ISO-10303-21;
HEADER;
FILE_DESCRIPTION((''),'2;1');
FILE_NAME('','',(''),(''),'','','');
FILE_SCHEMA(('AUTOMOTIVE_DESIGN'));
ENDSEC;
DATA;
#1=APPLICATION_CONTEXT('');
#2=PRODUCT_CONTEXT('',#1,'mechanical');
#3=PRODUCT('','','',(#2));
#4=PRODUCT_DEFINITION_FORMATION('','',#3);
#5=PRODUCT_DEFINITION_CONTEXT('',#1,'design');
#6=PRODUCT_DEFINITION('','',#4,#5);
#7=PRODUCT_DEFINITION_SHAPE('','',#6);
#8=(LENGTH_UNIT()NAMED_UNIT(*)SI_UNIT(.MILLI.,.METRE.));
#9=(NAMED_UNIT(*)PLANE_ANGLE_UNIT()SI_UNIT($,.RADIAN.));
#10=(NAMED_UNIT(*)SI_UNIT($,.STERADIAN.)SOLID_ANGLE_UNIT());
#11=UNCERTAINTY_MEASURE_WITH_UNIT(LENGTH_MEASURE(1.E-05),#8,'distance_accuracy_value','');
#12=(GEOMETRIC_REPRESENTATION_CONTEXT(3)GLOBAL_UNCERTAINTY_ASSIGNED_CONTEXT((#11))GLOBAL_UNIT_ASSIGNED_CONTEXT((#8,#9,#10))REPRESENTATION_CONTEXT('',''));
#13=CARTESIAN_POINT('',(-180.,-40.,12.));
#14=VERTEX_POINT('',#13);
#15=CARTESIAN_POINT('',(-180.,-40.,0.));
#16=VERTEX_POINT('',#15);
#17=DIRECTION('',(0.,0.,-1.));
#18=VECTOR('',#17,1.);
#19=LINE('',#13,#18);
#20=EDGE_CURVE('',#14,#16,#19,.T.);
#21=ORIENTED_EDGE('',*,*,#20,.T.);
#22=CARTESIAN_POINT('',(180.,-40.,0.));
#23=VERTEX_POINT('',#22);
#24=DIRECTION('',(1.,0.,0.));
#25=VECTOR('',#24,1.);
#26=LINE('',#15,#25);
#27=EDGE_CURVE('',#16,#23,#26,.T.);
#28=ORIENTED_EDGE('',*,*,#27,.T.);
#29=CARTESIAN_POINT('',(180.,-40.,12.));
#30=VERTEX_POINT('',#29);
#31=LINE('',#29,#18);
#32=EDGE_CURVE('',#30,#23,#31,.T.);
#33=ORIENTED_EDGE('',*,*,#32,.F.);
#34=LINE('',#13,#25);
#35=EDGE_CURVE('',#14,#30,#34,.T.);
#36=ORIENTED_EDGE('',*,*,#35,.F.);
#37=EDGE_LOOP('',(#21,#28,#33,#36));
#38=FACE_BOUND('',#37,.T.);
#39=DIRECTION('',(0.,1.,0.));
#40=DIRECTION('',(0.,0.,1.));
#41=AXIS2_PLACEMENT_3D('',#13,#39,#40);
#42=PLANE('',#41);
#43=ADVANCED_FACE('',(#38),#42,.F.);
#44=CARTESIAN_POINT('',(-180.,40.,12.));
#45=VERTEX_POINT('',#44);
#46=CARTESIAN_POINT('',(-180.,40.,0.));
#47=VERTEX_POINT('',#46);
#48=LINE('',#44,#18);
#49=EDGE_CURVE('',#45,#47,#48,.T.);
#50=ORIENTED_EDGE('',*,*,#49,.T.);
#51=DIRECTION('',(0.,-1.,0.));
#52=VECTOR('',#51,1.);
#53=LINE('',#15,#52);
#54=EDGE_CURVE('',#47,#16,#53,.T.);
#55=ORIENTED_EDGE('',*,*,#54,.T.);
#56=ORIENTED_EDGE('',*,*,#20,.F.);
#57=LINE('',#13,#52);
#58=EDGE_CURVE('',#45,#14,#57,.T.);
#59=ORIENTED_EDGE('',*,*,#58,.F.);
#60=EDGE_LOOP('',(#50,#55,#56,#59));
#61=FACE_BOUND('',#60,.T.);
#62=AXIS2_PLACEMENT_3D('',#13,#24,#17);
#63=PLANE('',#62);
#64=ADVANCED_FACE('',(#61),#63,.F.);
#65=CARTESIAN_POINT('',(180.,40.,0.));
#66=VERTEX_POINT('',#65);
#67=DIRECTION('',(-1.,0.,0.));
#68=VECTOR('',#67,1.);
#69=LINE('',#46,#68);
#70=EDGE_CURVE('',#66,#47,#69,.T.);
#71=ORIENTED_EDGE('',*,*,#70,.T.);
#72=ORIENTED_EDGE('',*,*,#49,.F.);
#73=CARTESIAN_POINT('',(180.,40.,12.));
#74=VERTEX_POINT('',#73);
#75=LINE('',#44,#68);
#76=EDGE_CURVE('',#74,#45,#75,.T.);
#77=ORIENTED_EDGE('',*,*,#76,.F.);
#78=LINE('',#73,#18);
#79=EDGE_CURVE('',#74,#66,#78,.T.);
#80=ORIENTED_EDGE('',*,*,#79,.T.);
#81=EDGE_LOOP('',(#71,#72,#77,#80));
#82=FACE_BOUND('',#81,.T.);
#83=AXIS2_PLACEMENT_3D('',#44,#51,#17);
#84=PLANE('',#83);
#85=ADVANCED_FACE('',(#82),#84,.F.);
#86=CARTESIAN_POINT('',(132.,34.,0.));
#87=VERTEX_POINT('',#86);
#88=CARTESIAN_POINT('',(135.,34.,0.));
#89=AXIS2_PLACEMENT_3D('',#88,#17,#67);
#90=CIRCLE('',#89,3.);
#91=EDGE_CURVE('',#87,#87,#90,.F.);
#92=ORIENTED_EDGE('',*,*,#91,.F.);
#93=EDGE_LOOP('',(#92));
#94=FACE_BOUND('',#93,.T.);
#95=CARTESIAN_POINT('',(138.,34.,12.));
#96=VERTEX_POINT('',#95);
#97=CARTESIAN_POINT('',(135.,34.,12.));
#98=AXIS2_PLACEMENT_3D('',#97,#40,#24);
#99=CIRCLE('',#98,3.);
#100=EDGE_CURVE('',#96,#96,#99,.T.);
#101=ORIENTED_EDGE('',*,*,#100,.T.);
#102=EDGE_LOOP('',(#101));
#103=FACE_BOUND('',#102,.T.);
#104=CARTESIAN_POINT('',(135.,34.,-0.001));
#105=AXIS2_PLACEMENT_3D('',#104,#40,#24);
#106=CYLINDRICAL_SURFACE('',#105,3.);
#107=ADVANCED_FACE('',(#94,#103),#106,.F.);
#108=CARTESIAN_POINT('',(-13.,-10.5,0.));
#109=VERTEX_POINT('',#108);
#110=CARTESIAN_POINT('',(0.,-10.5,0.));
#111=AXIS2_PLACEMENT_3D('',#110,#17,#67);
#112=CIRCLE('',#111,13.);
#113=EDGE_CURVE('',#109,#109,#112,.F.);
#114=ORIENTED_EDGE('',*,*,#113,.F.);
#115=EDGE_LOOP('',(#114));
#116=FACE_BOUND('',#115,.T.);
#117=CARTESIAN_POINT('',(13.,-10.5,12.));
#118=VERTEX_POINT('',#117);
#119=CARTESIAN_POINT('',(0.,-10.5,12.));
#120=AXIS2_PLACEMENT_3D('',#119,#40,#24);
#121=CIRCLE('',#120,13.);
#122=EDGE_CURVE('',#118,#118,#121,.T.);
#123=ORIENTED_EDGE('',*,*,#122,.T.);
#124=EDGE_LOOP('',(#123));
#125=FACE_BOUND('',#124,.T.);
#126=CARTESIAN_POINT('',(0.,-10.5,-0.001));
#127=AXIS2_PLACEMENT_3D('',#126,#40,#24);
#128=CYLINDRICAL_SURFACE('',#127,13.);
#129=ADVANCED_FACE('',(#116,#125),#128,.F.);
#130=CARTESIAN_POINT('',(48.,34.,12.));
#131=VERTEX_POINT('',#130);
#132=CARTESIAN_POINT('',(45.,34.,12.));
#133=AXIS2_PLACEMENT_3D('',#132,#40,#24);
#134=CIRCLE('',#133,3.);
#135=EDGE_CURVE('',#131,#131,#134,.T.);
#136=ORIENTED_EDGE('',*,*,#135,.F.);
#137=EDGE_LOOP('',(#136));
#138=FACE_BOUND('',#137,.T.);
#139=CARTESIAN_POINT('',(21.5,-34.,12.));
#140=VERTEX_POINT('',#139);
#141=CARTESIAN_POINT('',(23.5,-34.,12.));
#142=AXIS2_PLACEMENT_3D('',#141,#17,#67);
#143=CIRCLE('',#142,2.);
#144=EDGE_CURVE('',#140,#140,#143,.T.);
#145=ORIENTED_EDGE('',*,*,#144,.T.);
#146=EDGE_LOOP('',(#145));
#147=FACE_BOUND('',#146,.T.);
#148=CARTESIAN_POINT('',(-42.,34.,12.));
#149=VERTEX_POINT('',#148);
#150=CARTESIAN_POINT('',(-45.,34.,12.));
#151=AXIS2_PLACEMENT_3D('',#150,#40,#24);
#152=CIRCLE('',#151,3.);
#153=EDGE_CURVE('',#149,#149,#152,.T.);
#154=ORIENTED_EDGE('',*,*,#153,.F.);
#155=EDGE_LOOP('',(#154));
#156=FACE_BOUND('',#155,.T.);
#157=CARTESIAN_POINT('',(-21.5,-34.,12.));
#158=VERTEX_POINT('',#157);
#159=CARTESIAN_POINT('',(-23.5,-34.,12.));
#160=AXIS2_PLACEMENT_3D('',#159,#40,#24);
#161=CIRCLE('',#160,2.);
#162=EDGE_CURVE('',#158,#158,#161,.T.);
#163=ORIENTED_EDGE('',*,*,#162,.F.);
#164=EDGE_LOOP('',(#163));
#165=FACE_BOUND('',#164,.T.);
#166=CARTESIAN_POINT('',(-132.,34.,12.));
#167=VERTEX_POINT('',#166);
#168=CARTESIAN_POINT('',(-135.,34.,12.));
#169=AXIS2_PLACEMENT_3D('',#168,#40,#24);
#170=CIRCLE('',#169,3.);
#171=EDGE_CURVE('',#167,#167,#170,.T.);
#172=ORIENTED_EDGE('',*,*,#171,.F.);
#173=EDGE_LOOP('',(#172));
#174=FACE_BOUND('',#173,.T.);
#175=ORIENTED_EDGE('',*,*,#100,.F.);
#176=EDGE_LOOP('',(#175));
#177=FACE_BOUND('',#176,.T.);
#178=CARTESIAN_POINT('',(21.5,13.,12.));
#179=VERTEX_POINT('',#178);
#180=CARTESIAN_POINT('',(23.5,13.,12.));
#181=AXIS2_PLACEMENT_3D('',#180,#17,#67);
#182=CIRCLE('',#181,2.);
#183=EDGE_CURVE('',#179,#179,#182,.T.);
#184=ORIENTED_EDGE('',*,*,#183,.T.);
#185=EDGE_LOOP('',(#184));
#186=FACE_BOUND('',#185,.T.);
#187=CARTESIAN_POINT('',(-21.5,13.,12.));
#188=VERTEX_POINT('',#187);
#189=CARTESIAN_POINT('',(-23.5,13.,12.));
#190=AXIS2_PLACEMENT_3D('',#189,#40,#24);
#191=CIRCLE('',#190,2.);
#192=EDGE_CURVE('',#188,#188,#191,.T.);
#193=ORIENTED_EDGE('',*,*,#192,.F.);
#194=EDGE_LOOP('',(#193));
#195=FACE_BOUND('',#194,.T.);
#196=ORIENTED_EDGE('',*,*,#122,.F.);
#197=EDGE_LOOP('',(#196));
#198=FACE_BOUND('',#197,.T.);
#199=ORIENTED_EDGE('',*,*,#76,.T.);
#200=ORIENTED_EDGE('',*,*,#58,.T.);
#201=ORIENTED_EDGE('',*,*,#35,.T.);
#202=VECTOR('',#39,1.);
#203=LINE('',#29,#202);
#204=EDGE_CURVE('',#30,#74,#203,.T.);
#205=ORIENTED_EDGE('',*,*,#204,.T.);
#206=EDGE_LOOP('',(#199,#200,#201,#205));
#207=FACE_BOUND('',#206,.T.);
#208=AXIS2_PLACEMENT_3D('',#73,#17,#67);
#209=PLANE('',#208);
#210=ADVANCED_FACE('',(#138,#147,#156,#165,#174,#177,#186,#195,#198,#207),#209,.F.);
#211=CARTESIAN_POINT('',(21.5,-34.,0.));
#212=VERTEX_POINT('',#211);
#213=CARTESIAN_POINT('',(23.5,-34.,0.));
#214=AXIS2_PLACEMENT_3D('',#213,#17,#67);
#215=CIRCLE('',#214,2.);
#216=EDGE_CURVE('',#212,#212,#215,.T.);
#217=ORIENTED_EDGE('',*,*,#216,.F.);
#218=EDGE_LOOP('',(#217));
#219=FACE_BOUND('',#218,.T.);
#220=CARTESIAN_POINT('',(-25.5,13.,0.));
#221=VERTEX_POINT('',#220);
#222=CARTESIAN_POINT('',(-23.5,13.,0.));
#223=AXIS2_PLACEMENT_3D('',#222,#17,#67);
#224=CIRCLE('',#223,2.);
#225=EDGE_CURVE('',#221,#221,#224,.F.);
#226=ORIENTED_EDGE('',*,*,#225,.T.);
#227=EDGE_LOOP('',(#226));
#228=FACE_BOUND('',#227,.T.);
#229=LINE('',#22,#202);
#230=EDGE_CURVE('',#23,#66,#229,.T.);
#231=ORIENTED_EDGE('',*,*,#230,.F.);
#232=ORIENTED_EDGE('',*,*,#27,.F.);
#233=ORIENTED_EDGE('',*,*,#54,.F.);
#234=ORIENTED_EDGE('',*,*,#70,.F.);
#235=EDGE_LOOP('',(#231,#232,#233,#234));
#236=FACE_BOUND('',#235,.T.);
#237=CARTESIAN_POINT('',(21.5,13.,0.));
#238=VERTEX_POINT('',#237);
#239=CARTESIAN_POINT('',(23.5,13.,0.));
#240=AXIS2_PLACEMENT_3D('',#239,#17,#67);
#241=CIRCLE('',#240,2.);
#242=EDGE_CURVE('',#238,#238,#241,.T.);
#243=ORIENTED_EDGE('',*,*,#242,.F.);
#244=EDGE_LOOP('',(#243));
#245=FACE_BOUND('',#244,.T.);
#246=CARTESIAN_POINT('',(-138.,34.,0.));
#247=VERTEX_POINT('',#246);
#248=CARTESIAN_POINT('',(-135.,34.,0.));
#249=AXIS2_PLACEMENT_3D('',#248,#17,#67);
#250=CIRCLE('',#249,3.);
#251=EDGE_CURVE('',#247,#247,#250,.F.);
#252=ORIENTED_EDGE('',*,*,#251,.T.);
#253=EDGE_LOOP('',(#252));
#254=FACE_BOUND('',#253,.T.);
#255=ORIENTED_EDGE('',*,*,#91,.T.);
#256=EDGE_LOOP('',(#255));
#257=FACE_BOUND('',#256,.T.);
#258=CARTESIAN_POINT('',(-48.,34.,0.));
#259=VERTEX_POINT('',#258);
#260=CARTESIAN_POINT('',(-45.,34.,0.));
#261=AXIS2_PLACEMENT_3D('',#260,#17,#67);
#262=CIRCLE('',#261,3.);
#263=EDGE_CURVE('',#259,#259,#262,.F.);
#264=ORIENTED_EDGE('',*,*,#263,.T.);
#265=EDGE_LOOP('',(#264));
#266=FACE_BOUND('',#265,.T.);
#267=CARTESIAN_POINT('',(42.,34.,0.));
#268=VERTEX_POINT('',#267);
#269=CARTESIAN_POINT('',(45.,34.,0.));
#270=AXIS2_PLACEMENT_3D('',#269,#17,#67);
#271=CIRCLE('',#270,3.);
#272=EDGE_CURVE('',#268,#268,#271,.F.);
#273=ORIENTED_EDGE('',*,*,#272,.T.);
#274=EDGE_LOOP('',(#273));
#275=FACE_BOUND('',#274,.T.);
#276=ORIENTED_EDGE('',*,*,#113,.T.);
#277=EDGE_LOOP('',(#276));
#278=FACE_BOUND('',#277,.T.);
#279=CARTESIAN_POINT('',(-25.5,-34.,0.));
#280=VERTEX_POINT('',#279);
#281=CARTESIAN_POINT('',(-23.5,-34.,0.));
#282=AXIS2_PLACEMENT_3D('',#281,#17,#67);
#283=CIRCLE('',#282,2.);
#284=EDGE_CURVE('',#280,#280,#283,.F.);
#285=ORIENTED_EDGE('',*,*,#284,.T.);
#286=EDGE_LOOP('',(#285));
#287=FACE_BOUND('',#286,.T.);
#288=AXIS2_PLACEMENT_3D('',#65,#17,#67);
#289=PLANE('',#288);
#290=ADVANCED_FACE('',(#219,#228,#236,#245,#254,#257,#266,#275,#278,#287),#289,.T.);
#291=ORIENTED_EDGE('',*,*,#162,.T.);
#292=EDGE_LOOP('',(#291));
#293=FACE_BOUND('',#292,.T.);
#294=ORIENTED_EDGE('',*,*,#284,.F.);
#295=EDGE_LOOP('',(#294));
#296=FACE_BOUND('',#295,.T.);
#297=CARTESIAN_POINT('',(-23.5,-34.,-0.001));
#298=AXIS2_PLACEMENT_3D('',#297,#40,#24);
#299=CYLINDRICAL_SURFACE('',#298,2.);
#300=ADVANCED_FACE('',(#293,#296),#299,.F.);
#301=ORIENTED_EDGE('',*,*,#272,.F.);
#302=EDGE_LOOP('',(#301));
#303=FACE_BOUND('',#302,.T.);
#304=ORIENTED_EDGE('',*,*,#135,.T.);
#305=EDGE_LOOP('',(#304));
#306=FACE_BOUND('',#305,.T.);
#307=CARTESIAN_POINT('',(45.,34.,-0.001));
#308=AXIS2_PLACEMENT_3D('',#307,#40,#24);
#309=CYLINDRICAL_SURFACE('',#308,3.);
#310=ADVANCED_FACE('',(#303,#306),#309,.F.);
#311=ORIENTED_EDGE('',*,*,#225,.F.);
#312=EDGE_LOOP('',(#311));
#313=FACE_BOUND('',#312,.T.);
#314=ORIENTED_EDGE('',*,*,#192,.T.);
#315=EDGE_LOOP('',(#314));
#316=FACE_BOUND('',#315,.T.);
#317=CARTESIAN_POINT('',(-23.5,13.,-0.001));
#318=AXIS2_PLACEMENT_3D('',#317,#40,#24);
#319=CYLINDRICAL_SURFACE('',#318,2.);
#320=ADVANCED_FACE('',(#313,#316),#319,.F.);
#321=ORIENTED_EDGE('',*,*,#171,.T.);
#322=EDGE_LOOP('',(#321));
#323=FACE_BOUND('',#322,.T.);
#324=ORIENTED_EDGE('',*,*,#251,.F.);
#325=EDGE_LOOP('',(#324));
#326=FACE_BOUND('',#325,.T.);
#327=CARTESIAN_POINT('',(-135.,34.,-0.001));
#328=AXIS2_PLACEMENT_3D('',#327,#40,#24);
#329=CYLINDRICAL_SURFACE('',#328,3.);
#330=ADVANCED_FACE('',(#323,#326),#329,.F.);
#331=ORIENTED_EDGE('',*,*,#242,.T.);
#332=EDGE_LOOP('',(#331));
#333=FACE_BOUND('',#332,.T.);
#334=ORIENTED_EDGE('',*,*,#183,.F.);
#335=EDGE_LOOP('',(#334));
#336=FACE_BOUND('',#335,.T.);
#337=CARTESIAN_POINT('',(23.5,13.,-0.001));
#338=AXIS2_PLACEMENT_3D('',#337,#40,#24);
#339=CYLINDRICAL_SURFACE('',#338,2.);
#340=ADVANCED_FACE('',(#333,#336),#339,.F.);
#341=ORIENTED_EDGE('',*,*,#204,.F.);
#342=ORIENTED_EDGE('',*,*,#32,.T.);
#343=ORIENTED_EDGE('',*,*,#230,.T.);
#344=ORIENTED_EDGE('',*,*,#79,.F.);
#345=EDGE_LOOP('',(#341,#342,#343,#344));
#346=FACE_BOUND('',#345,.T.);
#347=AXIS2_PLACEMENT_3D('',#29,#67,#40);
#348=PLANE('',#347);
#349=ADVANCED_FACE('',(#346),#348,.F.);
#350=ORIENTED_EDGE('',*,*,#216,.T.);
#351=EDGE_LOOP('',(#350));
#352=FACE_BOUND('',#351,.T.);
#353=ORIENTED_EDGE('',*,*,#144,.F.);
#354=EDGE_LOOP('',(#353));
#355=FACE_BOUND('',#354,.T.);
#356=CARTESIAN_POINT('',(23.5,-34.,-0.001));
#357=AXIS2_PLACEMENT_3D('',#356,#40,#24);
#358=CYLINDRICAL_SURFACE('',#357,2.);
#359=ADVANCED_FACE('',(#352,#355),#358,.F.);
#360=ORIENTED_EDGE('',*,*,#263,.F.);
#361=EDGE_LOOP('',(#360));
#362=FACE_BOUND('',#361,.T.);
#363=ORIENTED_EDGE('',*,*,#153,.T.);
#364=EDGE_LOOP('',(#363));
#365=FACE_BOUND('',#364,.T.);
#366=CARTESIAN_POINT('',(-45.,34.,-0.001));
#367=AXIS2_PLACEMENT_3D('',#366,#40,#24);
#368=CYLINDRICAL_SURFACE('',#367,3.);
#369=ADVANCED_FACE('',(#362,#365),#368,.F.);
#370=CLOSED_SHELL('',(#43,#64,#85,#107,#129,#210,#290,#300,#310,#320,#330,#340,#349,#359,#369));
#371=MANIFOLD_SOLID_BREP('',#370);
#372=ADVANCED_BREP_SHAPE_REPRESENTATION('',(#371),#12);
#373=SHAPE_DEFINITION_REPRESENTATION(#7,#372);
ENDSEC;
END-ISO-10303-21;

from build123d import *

# Parameters (mm, degrees)
SKETCH1_W           = 360
SKETCH1_H           = 80
BOSS_EXTRUDE1_DEPTH = 12
CUT_EXTRUDE1_REACH  = 186.781
SKETCH2_R           = 3
LPATTERN1_COUNT     = 4
LPATTERN1_PITCH     = 90
CUT_EXTRUDE2_REACH  = 186.781
SKETCH3_R           = 13
CUT_EXTRUDE3_REACH  = 186.781
SKETCH4_R           = 2


with BuildPart() as part:
    # Sketch1 → Boss-Extrude1 (new body)
    with BuildSketch(Plane.XY):
        Rectangle(SKETCH1_W, SKETCH1_H)
    extrude(amount=BOSS_EXTRUDE1_DEPTH)

    # Sketch2 → Cut-Extrude1 (cut, up to next)
    with BuildSketch(Plane.XY.offset(12), mode=Mode.PRIVATE) as cut_extrude1_sk1:
        with Locations((135, 34)):
            Circle(SKETCH2_R)
    cut_extrude1_tool1 = extrude(cut_extrude1_sk1.sketch, amount=-CUT_EXTRUDE1_REACH, mode=Mode.PRIVATE) & part.part
    cut_extrude1 = cut_extrude1_tool1.solids().sort_by_distance((135, 34, 12))[0]
    add(cut_extrude1, mode=Mode.SUBTRACT)

    # LPattern1: Cut-Extrude1 ×4
    with Locations(*[(-i * LPATTERN1_PITCH, 0, 0) for i in range(1, LPATTERN1_COUNT)]):
        add(cut_extrude1, mode=Mode.SUBTRACT)

    # Sketch3 → Cut-Extrude2 (cut, up to next)
    with BuildSketch(Plane.XY.offset(12), mode=Mode.PRIVATE) as cut_extrude2_sk1:
        with Locations((0, -10.5)):
            Circle(SKETCH3_R)
    cut_extrude2_tool1 = extrude(cut_extrude2_sk1.sketch, amount=-CUT_EXTRUDE2_REACH, mode=Mode.PRIVATE) & part.part
    add(cut_extrude2_tool1.solids().sort_by_distance((0, -10.5, 12))[0], mode=Mode.SUBTRACT)

    # Sketch4 → Cut-Extrude3 (cut, up to next)
    with BuildSketch(Plane.XY.offset(12), mode=Mode.PRIVATE) as cut_extrude3_sk1:
        with Locations((-23.5, 13)):
            Circle(SKETCH4_R)
    cut_extrude3_tool1 = extrude(cut_extrude3_sk1.sketch, amount=-CUT_EXTRUDE3_REACH, mode=Mode.PRIVATE) & part.part
    # Sketch4 → Cut-Extrude3 (cut, up to next)
    with BuildSketch(Plane.XY.offset(12), mode=Mode.PRIVATE) as cut_extrude3_sk2:
        with Locations((-23.5, -34)):
            Circle(SKETCH4_R)
    cut_extrude3_tool2 = extrude(cut_extrude3_sk2.sketch, amount=-CUT_EXTRUDE3_REACH, mode=Mode.PRIVATE) & part.part
    cut_extrude3_1 = cut_extrude3_tool1.solids().sort_by_distance((-23.5, 13, 12))[0]
    add(cut_extrude3_1, mode=Mode.SUBTRACT)
    cut_extrude3_2 = cut_extrude3_tool2.solids().sort_by_distance((-23.5, -34, 12))[0]
    add(cut_extrude3_2, mode=Mode.SUBTRACT)
    cut_extrude3 = cut_extrude3_1 + cut_extrude3_2  # Cut-Extrude3 as one shape, for the pattern or mirror that repeats it

    # Mirror2: Cut-Extrude3 across plane
    add(cut_extrude3.mirror(Plane(origin=(0, 0, 0), x_dir=(0, 0, 1), z_dir=(1, 0, 0))), mode=Mode.SUBTRACT)


solid = part.part
